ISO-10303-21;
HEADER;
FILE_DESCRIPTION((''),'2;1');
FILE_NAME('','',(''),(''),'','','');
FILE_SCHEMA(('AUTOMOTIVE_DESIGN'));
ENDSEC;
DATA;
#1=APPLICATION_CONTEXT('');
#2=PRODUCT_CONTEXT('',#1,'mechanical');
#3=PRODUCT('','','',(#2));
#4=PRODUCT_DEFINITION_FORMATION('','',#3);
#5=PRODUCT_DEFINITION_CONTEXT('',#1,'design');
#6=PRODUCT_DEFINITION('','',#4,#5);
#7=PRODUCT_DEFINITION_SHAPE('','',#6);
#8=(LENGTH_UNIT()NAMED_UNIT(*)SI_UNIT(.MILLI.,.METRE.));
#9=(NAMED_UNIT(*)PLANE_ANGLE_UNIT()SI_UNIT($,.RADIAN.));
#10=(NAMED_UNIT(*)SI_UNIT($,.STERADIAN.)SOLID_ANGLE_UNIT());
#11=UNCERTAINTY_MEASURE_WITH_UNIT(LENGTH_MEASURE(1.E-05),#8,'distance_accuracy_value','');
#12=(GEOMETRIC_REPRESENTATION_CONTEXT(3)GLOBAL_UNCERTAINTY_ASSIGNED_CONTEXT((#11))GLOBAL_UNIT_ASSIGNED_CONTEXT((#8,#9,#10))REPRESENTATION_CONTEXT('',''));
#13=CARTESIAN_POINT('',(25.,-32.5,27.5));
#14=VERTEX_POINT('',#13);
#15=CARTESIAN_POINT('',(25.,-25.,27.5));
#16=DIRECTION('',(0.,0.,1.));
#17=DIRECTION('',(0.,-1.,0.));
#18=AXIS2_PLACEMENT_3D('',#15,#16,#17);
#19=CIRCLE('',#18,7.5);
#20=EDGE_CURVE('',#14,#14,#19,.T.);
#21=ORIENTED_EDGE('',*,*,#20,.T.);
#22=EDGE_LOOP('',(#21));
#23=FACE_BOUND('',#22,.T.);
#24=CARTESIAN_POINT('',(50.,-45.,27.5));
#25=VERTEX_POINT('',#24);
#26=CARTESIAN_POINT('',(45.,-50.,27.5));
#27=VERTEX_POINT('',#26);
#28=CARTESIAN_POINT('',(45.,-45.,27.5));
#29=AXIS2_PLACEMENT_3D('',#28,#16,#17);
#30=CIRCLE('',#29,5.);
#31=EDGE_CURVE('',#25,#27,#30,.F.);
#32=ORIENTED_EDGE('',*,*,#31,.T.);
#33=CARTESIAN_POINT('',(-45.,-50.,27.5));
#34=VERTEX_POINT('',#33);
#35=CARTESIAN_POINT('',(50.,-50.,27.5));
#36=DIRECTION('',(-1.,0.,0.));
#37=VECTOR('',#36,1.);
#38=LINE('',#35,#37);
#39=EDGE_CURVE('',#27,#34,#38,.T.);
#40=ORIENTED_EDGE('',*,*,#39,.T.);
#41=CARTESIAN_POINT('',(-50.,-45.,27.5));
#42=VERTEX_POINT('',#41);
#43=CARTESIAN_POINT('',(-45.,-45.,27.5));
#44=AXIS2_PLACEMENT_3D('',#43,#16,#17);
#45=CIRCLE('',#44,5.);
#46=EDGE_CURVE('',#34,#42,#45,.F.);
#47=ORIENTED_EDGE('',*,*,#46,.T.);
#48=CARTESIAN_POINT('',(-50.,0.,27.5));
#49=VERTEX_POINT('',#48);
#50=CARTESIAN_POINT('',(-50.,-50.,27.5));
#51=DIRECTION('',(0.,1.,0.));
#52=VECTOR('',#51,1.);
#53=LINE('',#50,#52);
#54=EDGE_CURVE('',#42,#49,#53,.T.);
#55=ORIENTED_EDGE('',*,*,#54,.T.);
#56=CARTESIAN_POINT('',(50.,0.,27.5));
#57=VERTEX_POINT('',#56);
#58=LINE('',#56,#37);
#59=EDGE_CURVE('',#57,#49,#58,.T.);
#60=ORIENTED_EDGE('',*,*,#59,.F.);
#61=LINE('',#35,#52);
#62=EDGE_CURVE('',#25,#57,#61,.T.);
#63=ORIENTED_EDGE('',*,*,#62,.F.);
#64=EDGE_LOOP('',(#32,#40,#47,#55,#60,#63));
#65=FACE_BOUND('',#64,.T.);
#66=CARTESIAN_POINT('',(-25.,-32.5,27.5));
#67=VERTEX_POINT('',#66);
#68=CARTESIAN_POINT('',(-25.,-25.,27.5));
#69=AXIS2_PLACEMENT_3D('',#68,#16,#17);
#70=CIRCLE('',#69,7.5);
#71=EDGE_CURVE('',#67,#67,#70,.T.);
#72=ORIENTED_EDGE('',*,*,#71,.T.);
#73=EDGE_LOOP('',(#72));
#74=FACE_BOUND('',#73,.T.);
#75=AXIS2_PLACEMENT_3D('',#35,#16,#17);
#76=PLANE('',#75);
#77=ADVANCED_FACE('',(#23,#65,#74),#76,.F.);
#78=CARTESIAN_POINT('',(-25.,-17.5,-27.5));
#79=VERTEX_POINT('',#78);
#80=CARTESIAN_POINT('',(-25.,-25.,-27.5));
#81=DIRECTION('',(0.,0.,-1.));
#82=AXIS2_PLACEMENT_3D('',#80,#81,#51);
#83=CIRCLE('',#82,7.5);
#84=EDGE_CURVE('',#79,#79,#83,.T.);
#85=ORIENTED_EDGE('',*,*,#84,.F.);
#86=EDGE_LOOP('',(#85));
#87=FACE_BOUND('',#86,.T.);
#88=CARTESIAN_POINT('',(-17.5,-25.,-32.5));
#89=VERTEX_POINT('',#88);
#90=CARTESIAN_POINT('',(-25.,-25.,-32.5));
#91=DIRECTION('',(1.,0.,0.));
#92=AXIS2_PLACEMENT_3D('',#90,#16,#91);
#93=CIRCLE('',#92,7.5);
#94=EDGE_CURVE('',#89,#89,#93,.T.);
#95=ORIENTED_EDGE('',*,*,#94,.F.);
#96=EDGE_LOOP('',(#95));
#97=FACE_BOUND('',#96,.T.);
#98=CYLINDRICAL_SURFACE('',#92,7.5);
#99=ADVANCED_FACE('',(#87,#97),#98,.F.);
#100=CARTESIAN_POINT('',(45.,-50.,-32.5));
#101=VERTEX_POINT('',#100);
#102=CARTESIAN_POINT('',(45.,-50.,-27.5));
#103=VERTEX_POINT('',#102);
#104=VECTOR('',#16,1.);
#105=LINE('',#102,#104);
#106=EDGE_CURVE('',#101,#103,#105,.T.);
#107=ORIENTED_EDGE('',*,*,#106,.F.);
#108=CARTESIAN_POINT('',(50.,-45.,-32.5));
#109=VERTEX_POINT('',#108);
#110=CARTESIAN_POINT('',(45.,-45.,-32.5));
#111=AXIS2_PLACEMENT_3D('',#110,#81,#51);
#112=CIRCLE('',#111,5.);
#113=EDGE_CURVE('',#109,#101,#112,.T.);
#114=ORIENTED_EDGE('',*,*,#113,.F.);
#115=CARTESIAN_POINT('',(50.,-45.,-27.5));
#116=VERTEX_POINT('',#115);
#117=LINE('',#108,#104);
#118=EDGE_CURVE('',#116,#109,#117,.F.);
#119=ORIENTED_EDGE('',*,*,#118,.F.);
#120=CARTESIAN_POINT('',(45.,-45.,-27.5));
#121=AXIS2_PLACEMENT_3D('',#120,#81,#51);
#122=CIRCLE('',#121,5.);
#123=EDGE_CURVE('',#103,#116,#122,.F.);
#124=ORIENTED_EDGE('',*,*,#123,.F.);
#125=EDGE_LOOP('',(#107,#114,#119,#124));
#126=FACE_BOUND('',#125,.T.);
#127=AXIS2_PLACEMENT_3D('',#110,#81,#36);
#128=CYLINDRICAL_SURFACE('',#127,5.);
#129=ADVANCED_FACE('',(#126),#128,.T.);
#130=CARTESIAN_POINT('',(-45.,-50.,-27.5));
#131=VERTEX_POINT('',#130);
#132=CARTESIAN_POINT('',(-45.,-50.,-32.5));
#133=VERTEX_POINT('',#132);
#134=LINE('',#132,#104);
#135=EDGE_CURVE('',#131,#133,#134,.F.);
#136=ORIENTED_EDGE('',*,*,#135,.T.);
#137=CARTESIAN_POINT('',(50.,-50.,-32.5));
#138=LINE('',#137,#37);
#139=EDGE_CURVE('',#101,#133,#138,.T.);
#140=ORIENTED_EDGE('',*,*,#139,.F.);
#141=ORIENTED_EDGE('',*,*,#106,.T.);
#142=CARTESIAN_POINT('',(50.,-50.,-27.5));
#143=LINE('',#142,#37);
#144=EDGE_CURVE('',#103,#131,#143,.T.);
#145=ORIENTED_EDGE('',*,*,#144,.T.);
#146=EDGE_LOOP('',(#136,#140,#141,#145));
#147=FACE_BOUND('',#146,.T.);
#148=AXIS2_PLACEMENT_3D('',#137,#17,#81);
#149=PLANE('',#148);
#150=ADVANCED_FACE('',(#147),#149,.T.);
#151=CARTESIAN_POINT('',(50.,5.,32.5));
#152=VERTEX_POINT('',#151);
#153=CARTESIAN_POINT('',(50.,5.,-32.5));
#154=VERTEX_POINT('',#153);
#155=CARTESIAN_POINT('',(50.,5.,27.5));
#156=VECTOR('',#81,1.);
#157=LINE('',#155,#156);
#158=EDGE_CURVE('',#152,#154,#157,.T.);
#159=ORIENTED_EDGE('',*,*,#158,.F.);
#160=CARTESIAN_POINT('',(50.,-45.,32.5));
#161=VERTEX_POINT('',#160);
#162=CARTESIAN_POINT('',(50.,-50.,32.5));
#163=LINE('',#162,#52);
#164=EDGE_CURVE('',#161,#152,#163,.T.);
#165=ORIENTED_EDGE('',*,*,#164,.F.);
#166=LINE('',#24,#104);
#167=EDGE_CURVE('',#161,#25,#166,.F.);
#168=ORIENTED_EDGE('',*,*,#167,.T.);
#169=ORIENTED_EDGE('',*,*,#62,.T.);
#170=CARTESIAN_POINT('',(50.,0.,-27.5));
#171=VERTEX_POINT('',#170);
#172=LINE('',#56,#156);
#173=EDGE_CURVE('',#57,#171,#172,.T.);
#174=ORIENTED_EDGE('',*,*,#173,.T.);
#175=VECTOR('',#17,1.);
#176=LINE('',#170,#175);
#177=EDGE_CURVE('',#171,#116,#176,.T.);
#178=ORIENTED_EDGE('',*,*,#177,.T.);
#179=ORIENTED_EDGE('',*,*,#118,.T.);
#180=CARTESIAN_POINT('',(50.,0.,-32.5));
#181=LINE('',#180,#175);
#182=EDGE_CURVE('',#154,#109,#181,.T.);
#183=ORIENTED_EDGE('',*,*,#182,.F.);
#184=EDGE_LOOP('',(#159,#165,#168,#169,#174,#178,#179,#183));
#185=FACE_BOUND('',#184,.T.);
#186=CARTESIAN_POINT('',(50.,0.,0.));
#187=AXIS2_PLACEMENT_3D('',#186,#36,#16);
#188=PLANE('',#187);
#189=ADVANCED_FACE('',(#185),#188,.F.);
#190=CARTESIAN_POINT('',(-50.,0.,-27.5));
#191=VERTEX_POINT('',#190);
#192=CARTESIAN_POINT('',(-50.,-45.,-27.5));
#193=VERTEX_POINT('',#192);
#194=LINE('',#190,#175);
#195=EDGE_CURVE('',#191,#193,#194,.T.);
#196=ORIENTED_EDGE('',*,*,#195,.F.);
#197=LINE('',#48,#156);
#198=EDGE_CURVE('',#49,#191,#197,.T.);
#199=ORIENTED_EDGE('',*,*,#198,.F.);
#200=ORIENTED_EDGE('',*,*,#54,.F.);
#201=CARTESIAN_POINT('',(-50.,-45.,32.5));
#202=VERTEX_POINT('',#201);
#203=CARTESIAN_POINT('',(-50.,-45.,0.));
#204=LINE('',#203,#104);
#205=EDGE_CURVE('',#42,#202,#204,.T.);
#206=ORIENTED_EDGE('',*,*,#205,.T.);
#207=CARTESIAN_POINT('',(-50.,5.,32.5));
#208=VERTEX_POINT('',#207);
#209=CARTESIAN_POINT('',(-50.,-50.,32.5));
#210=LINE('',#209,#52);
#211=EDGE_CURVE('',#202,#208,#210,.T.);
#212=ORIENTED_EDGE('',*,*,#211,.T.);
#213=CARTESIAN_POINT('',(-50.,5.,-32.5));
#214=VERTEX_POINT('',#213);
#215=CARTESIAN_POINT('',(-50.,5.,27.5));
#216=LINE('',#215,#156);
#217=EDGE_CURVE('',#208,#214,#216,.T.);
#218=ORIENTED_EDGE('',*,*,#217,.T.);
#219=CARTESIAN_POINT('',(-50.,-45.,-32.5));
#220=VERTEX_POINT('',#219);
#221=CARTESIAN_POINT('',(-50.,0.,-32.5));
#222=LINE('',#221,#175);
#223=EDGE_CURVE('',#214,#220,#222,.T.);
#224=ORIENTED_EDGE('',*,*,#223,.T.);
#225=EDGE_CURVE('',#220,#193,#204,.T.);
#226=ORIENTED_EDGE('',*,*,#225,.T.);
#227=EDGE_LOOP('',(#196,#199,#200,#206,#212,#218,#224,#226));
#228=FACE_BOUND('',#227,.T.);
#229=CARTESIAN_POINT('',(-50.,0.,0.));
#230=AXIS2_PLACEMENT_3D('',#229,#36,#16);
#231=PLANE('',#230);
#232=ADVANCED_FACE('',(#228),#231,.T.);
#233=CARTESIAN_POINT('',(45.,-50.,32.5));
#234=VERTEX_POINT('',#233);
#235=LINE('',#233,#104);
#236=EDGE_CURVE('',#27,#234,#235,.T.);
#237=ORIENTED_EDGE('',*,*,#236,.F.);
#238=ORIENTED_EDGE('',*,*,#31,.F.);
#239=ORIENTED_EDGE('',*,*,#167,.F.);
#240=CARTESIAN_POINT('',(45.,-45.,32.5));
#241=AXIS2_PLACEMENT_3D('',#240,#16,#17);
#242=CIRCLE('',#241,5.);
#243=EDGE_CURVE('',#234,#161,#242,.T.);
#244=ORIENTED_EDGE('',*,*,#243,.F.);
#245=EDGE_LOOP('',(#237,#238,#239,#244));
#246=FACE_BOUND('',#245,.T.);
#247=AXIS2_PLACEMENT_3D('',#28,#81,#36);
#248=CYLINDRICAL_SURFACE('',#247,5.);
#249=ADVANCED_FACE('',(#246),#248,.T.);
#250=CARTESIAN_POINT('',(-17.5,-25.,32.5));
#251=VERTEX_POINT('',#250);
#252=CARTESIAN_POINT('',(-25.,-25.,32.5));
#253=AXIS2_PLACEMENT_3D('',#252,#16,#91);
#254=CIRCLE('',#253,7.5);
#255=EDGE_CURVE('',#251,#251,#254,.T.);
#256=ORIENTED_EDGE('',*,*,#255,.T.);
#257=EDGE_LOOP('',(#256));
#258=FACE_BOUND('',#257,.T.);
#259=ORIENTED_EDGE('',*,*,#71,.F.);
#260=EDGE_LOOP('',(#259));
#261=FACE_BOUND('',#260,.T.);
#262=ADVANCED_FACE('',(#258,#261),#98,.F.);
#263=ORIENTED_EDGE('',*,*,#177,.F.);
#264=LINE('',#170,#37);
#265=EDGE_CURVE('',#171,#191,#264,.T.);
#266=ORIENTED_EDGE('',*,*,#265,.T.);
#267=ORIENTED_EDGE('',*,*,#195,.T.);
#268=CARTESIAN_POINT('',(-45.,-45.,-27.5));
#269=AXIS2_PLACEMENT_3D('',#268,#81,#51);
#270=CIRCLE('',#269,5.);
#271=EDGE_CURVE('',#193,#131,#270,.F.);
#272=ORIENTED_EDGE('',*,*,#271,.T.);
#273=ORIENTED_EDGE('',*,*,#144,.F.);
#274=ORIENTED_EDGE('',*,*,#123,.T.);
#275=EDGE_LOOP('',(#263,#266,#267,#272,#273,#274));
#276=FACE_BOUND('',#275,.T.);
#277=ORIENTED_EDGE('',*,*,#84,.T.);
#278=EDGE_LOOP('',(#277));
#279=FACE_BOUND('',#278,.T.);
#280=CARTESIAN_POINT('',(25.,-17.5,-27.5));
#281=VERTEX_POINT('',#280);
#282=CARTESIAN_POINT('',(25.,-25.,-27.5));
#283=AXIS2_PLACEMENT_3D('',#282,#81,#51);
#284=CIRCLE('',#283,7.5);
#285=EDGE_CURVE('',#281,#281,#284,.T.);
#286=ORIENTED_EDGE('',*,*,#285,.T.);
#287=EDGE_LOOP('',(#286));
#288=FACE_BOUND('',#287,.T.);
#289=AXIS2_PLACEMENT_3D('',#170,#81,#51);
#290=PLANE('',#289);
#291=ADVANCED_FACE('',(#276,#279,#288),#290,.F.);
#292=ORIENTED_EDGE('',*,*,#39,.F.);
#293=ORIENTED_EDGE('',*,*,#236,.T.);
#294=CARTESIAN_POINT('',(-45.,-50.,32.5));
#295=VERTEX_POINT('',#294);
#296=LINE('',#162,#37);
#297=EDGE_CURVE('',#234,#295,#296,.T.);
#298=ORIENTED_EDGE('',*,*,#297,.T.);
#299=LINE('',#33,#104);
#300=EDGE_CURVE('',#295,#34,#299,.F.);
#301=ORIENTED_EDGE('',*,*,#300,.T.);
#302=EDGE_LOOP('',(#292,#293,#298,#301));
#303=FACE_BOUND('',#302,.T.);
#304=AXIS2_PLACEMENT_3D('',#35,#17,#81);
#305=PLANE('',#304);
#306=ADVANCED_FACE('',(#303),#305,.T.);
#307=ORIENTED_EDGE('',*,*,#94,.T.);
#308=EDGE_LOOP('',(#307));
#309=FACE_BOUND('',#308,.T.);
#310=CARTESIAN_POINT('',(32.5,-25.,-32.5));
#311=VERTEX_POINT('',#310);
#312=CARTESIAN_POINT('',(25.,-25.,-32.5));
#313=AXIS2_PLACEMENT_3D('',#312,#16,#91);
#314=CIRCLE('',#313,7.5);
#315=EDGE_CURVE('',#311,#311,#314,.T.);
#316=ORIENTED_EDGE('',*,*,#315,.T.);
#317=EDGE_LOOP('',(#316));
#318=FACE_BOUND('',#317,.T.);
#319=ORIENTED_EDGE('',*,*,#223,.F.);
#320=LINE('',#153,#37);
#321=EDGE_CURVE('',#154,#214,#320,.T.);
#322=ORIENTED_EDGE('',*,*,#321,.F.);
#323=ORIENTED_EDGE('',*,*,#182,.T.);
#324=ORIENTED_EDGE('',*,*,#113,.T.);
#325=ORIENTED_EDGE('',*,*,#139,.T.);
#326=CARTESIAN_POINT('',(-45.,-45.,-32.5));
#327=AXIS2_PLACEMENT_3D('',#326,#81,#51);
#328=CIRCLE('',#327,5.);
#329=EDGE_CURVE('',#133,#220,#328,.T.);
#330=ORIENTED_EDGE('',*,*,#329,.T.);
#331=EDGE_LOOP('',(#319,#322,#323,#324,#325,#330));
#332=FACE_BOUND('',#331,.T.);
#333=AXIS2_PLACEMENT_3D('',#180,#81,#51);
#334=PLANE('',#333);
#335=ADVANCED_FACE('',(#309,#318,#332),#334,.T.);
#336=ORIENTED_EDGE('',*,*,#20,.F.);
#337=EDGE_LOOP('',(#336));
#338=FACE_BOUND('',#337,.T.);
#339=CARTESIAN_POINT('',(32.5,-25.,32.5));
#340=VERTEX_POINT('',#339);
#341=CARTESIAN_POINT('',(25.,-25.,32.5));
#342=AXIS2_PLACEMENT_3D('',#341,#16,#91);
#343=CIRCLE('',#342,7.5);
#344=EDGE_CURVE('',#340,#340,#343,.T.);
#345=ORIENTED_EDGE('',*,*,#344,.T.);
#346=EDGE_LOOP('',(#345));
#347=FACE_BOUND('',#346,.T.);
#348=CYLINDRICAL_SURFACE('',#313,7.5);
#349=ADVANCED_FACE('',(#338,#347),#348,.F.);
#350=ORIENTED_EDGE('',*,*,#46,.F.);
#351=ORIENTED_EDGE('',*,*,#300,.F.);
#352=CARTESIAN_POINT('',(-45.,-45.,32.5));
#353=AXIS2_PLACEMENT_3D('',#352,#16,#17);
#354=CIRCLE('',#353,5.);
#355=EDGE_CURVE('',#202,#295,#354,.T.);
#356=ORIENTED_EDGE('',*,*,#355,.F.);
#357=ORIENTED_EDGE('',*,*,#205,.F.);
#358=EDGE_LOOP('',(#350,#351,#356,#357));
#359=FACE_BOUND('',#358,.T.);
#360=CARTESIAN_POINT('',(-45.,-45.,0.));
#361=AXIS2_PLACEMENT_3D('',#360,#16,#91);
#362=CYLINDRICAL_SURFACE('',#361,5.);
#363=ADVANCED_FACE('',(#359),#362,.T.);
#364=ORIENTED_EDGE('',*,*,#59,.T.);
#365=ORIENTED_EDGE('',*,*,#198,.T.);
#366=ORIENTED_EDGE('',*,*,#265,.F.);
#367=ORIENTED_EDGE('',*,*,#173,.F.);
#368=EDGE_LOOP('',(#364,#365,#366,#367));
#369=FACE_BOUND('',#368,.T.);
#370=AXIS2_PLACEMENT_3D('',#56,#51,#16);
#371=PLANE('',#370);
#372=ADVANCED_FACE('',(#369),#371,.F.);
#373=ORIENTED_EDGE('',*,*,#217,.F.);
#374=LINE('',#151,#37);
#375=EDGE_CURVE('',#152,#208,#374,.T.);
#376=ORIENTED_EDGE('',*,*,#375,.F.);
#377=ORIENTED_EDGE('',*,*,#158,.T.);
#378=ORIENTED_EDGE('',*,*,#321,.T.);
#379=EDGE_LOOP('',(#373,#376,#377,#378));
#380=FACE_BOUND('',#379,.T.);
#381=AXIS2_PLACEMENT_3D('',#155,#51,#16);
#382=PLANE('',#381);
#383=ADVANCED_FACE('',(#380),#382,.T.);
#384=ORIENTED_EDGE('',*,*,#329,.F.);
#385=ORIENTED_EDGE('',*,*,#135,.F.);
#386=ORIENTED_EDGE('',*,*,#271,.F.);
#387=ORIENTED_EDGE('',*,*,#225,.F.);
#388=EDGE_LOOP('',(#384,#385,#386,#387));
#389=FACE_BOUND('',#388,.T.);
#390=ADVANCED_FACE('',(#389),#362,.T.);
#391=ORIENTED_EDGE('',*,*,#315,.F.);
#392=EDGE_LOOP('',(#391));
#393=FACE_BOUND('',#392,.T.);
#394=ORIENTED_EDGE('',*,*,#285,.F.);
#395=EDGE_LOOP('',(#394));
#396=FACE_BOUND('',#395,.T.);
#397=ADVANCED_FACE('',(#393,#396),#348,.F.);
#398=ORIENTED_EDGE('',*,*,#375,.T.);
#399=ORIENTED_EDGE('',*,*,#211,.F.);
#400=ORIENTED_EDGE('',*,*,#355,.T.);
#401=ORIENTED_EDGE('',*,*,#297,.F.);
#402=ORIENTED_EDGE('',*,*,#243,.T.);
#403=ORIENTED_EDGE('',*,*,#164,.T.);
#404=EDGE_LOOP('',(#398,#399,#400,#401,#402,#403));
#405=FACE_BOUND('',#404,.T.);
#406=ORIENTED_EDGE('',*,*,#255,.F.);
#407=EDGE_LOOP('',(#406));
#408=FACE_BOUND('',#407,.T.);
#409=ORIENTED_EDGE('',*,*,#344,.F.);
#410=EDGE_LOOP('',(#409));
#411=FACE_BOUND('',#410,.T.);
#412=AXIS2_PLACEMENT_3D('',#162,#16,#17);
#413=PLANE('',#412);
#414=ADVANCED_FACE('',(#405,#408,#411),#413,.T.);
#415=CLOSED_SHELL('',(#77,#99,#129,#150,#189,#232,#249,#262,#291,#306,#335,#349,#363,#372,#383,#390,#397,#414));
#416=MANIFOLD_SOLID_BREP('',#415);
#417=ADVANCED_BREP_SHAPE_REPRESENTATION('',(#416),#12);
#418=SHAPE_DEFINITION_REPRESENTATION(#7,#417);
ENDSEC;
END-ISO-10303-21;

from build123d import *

# Parameters (mm, degrees)
EXTRUDE_THIN1_DEPTH     = 50
SKETCH2_R               = 7.5
CUT_EXTRUDE1_DEPTH      = 33.5
CUT_EXTRUDE1_DEPTH_BACK = 33.5
FILLET1_R               = 5


with BuildPart() as part:
    # Sketch1 → Extrude-Thin1 (new body, symmetric)
    with BuildSketch(Plane(origin=(0, 0, 0), x_dir=(0, 0, -1), z_dir=(1, 0, 0))):
        Polygon((-27.5, -50), (-27.5, 0), (27.5, 0), (27.5, -50), (32.5, -50), (32.5, 5), (-32.5, 5), (-32.5, -50), align=None)
    extrude(amount=EXTRUDE_THIN1_DEPTH, both=True)

    # Sketch2 → Cut-Extrude1 (cut, two sides)
    with BuildSketch(Plane.XY) as cut_extrude1_sk:
        with Locations((-25, -25)):
            Circle(SKETCH2_R)
        with Locations((25, -25)):
            Circle(SKETCH2_R)
    extrude(amount=CUT_EXTRUDE1_DEPTH, mode=Mode.SUBTRACT)
    extrude(cut_extrude1_sk.sketch, amount=-CUT_EXTRUDE1_DEPTH_BACK, mode=Mode.SUBTRACT)

    # Fillet1
    fillet1_edges = [part.edges().sort_by_distance(p)[0] for p in [
        (50, -50, 30),
        (50, -50, -30),
        (-50, -50, 30),
        (-50, -50, -30),
    ]]
    fillet(fillet1_edges, radius=FILLET1_R)


solid = part.part
